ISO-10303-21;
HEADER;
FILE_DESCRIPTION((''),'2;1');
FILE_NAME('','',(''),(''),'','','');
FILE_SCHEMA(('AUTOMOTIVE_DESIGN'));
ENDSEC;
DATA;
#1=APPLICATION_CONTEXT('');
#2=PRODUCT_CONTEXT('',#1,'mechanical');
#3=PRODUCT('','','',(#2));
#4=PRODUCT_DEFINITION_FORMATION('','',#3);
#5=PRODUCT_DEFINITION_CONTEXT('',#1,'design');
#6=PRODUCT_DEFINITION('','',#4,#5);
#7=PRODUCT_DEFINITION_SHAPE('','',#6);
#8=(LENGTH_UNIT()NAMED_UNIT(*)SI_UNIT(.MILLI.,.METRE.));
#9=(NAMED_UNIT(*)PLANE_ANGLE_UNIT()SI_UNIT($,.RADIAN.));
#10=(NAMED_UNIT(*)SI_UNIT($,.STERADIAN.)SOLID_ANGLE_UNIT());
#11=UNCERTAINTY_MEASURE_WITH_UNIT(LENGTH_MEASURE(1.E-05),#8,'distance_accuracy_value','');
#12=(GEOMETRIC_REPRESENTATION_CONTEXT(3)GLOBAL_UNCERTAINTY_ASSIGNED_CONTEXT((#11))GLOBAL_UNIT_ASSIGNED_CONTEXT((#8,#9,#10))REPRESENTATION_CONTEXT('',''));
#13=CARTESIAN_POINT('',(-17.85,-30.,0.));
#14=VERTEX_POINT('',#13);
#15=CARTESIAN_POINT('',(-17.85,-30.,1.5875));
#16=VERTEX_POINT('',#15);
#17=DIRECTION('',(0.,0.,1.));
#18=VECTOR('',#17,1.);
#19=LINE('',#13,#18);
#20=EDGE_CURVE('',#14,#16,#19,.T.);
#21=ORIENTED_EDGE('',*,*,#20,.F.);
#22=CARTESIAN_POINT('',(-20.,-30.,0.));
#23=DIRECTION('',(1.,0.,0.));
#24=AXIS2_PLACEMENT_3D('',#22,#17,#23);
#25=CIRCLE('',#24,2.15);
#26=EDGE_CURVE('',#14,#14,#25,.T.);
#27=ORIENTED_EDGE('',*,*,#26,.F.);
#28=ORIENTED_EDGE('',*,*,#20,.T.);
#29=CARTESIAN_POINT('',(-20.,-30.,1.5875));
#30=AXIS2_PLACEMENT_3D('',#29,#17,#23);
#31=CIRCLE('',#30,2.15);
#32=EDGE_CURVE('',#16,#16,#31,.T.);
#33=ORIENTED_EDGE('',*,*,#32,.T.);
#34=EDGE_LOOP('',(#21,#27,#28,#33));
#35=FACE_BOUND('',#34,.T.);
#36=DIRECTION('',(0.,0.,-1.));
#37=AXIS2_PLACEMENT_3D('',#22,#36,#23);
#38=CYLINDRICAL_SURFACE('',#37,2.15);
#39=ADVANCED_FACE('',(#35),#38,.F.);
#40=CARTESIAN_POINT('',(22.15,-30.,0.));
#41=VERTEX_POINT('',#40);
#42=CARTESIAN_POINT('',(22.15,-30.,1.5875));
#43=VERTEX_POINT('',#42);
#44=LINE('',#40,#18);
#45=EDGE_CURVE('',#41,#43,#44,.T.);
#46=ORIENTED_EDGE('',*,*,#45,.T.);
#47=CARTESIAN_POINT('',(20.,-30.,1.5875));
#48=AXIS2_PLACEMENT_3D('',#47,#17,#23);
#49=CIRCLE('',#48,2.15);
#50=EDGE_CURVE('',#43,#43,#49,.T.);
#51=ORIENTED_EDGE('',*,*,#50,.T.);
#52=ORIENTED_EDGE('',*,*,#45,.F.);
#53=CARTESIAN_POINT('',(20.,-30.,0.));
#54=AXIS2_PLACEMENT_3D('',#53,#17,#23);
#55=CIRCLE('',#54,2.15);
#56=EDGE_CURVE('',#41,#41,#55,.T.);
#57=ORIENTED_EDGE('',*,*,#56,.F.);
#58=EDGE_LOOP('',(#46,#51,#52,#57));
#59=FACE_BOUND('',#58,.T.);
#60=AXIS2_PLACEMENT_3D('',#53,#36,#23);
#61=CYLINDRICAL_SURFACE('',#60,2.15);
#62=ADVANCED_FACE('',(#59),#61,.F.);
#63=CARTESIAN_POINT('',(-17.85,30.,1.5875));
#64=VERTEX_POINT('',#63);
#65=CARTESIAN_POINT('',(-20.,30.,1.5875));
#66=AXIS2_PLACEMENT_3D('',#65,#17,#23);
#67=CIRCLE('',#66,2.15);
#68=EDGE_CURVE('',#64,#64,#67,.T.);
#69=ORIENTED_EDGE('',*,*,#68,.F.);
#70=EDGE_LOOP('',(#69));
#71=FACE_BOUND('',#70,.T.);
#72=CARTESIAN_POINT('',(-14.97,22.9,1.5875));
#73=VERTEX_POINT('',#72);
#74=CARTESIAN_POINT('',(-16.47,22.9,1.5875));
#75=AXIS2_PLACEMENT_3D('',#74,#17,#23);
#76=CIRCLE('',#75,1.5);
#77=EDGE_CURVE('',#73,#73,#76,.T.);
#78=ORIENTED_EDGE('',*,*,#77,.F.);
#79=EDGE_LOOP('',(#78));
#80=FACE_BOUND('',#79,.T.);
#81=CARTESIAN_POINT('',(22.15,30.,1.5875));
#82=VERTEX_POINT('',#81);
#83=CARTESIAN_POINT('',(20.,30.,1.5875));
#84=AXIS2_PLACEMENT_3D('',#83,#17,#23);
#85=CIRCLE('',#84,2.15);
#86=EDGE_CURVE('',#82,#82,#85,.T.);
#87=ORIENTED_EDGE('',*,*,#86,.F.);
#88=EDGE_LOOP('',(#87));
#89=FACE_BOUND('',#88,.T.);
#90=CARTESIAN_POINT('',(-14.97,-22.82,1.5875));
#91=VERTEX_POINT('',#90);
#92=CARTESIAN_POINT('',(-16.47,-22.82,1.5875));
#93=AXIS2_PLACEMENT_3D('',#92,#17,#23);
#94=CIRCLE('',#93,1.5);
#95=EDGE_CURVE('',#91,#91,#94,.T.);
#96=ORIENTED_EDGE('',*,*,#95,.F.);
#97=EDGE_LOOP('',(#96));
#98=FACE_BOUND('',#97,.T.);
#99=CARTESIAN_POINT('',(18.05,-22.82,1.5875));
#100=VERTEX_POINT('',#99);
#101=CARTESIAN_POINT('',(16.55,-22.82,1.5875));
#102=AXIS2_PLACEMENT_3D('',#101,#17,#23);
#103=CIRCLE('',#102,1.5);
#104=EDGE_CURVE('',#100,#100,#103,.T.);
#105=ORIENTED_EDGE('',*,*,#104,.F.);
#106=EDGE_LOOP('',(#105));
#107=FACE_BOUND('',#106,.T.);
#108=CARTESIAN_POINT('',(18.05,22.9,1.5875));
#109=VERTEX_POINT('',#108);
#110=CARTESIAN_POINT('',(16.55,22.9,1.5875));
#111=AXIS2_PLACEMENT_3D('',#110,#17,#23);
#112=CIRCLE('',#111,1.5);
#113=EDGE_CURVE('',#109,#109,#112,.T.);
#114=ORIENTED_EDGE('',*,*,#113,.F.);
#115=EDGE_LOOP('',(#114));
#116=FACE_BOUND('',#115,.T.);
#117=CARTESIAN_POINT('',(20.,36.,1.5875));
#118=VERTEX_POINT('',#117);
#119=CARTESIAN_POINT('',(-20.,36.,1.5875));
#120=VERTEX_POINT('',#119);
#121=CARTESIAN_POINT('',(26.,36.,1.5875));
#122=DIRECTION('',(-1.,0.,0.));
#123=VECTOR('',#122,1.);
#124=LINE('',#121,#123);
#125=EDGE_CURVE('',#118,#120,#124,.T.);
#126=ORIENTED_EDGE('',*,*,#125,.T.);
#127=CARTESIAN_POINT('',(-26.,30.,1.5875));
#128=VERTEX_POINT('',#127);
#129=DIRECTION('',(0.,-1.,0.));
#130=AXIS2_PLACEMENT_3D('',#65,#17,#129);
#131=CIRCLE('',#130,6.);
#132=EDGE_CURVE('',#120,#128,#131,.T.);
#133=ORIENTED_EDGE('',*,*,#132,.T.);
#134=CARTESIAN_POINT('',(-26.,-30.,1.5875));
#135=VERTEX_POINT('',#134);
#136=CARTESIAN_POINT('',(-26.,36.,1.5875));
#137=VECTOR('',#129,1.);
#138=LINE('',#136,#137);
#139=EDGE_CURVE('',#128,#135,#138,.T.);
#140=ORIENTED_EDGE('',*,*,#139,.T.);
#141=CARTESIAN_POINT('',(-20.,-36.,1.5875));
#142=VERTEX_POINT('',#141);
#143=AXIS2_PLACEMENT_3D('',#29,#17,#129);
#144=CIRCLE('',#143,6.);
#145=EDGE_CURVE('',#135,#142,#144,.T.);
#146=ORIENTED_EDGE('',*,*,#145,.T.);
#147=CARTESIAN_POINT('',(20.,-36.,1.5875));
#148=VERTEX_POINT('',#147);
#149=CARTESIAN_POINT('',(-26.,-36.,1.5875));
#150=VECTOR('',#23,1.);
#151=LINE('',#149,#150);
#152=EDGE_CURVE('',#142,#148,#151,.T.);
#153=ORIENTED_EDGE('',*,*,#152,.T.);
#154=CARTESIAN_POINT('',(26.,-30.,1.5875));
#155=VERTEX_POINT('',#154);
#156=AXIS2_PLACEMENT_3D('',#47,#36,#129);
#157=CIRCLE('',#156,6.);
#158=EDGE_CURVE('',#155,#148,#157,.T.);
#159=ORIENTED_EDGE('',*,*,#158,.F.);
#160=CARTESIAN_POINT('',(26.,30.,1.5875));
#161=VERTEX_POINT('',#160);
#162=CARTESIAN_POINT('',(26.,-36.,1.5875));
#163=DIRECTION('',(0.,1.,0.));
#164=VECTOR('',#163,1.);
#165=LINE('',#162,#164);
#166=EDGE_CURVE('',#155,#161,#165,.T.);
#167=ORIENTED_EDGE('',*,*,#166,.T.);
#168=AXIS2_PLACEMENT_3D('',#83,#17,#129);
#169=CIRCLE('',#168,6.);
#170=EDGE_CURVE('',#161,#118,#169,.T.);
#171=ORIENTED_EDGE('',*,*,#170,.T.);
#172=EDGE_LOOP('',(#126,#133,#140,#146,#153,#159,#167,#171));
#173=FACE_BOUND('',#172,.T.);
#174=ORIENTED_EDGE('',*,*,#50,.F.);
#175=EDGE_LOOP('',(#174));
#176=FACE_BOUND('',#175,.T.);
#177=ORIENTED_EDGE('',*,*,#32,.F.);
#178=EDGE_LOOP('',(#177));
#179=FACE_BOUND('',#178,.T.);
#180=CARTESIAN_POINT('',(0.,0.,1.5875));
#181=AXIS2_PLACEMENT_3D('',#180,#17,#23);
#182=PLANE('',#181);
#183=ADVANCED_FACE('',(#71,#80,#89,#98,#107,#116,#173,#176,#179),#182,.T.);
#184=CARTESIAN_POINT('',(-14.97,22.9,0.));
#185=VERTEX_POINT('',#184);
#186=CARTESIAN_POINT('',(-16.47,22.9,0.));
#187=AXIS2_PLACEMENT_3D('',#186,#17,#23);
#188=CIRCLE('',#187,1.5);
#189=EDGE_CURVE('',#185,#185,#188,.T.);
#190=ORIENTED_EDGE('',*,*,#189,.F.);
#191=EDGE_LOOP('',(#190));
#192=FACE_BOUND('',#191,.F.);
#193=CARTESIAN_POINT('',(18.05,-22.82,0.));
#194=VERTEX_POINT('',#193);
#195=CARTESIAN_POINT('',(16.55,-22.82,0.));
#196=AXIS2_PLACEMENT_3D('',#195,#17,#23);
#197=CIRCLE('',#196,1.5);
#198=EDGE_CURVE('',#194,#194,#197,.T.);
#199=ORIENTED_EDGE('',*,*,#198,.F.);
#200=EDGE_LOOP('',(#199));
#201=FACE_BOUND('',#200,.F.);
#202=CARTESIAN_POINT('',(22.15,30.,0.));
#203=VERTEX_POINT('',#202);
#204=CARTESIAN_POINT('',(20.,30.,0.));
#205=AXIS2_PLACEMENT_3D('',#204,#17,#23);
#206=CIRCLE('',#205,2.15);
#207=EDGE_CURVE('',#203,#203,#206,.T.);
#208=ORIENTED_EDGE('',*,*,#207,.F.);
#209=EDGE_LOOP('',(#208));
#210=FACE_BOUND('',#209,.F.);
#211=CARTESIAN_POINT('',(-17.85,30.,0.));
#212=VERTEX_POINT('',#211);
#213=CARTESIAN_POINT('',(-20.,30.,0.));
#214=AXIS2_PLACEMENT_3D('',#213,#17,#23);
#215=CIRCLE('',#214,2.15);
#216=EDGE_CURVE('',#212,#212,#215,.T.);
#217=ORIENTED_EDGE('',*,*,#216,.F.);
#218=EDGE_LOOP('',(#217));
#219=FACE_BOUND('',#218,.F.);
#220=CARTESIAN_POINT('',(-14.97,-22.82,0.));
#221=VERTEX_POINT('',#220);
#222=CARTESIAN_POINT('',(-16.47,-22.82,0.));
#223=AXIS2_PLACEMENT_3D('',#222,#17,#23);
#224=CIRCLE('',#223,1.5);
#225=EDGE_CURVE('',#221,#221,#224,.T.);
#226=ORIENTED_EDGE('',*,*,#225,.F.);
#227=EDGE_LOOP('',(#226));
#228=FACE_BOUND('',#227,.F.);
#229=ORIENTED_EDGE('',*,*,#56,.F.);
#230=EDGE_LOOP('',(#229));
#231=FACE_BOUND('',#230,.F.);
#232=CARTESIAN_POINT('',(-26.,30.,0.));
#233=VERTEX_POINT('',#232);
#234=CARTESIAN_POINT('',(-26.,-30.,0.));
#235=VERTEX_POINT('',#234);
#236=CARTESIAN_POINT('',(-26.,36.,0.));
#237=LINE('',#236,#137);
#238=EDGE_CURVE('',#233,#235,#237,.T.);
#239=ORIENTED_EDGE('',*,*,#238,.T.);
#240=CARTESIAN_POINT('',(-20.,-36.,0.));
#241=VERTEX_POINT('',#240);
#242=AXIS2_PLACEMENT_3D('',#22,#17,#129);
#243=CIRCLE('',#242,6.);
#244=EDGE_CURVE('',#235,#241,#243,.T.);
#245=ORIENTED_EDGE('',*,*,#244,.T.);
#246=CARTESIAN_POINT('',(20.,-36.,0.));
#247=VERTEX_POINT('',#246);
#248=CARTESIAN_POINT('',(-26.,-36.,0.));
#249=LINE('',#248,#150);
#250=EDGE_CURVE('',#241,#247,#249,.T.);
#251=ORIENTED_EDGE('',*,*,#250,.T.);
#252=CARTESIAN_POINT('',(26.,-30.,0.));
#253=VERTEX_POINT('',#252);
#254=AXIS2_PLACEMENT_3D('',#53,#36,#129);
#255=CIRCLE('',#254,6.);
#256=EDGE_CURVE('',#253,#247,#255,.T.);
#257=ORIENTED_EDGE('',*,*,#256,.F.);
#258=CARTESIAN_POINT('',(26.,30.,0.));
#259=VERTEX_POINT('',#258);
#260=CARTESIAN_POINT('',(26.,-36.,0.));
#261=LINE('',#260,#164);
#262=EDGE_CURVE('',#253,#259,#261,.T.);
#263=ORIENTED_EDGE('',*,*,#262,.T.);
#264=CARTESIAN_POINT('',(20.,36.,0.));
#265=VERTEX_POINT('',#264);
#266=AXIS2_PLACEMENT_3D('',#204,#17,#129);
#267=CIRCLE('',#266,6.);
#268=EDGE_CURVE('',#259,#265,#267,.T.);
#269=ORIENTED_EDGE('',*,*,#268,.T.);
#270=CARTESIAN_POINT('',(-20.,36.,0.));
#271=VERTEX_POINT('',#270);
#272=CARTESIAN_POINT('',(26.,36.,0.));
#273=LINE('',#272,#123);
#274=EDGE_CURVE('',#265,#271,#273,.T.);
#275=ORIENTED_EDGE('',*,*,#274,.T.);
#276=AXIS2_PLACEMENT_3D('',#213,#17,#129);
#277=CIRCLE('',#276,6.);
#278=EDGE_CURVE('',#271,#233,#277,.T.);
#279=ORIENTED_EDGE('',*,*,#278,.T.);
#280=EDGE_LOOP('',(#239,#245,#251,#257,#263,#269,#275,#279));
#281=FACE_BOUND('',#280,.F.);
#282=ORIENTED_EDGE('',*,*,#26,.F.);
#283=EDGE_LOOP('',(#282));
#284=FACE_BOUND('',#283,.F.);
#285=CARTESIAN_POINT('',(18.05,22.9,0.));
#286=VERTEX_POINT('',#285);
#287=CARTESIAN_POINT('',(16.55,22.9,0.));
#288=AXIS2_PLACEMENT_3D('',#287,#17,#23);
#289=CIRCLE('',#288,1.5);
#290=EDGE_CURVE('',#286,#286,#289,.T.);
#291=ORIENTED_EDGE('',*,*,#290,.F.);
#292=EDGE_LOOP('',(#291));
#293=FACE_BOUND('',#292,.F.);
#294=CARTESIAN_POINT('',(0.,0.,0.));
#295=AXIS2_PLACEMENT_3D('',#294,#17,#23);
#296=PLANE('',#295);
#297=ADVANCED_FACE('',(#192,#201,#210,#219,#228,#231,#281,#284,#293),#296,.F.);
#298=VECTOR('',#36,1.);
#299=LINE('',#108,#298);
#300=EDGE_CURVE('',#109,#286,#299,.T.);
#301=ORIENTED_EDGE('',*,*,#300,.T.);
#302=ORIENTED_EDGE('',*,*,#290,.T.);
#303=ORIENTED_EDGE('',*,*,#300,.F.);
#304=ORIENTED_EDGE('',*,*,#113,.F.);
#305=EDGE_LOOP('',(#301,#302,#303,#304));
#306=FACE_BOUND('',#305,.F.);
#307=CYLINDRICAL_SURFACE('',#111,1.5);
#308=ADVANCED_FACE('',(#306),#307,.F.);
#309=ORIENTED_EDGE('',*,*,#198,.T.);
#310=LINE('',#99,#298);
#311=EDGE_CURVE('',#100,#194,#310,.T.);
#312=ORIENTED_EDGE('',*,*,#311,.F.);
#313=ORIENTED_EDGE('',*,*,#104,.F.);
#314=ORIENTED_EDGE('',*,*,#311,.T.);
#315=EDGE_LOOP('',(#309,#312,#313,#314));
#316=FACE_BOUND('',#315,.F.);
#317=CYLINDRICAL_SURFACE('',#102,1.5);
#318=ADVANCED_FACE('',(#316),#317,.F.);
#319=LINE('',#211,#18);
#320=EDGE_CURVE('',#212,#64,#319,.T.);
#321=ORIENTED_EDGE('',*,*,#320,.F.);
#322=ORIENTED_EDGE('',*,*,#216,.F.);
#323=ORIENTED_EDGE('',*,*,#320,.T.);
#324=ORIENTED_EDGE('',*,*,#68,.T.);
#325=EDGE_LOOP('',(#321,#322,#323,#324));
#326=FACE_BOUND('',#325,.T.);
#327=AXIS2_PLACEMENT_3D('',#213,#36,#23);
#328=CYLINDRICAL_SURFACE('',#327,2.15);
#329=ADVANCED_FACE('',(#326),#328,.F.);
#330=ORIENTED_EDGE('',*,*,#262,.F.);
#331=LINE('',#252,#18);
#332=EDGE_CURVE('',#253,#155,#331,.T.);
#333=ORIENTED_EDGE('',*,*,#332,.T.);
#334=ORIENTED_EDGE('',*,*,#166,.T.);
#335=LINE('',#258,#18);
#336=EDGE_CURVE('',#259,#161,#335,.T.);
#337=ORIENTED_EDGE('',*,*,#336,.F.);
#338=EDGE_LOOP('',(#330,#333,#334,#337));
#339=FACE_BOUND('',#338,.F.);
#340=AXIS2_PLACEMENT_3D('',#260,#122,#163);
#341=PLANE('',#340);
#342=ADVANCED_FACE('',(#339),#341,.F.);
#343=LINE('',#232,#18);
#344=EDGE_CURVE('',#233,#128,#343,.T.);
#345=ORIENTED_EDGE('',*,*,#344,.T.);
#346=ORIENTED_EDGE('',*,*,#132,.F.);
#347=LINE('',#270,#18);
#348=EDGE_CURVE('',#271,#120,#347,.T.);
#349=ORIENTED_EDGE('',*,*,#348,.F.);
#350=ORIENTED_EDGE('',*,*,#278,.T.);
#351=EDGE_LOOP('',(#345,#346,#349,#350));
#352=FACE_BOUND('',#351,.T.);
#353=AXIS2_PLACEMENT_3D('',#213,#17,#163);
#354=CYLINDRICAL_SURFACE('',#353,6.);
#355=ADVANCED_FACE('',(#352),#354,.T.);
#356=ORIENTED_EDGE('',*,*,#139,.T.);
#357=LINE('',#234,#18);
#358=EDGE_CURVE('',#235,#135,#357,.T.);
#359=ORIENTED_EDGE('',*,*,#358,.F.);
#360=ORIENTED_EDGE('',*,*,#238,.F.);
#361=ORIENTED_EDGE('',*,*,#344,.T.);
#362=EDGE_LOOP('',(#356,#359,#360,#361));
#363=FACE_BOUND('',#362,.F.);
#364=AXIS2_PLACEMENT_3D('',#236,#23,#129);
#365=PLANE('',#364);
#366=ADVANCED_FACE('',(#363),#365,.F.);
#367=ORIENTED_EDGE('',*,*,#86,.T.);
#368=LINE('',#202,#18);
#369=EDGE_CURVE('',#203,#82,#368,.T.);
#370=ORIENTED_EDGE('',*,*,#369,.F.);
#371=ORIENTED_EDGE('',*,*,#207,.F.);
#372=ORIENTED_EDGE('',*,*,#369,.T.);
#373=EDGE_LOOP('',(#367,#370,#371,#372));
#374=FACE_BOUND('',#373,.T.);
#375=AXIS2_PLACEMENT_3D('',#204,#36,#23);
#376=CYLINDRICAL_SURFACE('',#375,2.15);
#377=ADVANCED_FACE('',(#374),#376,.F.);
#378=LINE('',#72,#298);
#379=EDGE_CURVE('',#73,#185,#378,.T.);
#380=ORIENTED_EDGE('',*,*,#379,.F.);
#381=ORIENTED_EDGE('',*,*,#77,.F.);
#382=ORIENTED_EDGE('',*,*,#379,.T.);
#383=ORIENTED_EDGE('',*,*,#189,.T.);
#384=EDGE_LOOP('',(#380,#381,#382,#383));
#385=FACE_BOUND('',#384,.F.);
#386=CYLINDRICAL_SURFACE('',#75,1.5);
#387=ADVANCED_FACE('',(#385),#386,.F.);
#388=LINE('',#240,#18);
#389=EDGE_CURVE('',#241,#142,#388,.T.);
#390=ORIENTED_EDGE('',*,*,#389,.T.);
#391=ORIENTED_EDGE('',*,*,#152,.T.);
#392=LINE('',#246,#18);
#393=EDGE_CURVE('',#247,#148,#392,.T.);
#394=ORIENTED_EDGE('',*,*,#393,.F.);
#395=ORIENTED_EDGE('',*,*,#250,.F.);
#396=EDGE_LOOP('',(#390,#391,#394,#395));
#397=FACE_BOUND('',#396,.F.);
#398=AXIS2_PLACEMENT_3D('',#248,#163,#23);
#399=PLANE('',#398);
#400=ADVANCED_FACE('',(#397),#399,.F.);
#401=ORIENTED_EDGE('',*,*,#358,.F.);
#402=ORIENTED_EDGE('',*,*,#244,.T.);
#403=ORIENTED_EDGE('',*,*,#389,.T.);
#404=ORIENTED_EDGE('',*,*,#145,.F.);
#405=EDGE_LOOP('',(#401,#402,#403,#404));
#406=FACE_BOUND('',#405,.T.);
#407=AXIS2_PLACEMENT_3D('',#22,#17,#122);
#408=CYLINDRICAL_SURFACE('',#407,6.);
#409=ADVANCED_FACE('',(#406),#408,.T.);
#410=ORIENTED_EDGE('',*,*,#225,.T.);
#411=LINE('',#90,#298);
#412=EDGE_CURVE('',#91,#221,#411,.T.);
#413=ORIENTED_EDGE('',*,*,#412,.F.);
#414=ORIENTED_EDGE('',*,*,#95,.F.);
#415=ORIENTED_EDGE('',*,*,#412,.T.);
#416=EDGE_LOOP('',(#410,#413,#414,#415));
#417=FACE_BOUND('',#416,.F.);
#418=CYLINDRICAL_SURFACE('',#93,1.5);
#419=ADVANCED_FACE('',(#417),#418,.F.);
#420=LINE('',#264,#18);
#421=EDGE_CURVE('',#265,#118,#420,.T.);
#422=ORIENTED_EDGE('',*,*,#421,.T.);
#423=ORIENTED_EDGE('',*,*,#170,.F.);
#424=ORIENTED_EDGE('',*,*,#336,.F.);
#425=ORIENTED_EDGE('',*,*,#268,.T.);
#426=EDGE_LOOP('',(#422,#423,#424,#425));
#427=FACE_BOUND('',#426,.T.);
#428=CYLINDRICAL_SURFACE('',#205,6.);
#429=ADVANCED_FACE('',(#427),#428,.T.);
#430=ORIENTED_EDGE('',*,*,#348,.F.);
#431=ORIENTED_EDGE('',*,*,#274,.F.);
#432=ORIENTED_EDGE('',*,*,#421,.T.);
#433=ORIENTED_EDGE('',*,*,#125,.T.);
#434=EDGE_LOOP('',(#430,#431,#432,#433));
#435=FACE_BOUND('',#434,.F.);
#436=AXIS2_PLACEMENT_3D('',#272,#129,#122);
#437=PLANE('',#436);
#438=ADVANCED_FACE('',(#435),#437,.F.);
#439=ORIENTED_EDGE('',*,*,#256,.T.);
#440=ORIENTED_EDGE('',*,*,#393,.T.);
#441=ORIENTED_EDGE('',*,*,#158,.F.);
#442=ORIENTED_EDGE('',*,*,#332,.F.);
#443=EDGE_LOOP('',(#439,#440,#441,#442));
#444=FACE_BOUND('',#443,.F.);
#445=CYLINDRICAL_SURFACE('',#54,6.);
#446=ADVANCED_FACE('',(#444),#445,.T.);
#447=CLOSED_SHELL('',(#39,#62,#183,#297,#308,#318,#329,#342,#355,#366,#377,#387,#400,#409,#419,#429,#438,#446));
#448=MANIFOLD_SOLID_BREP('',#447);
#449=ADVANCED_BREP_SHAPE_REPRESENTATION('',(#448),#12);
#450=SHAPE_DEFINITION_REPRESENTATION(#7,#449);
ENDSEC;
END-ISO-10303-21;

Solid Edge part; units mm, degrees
sketch "Sketch1" plane through (0, 0, 0) normal (0, 0, 1) x (1, 0, 0)
  line L0 (26, -36) -> (26, 36)
  line L1 (26, 36) -> (-26, 36)
  line L2 (-26, 36) -> (-26, -36)
  line L3 (-26, -36) -> (26, -36)
  circle A0 centre (20, 30) radius 2.15
  circle A1 centre (-20, -30) radius 2.15
  circle A2 centre (-20, 30) radius 2.15
  circle A3 centre (20, -30) radius 2.15
extrude "Protrusion1" add sketch "Sketch1" along normal blind 1.5875
fillet "Round_1" radius 6 4 edges at (-26, -36, 0.7937) (26, -36, 0.7937) (26, 36, 0.7937) (-26, 36, 0.7937)
sketch "Sketch2" plane through (0, 0, 1.5875) normal (0, 0, 1) x (1, 0, 0)
  circle A0 centre (16.55, 22.9) radius 1.5
  circle A1 centre (16.55, -22.82) radius 1.5
  circle A2 centre (-16.47, -22.82) radius 1.5
  circle A3 centre (-16.47, 22.9) radius 1.5
extrude "Cutout1" cut sketch "Sketch2" against normal up to next
properties material "Acrylic, high impact grade"
